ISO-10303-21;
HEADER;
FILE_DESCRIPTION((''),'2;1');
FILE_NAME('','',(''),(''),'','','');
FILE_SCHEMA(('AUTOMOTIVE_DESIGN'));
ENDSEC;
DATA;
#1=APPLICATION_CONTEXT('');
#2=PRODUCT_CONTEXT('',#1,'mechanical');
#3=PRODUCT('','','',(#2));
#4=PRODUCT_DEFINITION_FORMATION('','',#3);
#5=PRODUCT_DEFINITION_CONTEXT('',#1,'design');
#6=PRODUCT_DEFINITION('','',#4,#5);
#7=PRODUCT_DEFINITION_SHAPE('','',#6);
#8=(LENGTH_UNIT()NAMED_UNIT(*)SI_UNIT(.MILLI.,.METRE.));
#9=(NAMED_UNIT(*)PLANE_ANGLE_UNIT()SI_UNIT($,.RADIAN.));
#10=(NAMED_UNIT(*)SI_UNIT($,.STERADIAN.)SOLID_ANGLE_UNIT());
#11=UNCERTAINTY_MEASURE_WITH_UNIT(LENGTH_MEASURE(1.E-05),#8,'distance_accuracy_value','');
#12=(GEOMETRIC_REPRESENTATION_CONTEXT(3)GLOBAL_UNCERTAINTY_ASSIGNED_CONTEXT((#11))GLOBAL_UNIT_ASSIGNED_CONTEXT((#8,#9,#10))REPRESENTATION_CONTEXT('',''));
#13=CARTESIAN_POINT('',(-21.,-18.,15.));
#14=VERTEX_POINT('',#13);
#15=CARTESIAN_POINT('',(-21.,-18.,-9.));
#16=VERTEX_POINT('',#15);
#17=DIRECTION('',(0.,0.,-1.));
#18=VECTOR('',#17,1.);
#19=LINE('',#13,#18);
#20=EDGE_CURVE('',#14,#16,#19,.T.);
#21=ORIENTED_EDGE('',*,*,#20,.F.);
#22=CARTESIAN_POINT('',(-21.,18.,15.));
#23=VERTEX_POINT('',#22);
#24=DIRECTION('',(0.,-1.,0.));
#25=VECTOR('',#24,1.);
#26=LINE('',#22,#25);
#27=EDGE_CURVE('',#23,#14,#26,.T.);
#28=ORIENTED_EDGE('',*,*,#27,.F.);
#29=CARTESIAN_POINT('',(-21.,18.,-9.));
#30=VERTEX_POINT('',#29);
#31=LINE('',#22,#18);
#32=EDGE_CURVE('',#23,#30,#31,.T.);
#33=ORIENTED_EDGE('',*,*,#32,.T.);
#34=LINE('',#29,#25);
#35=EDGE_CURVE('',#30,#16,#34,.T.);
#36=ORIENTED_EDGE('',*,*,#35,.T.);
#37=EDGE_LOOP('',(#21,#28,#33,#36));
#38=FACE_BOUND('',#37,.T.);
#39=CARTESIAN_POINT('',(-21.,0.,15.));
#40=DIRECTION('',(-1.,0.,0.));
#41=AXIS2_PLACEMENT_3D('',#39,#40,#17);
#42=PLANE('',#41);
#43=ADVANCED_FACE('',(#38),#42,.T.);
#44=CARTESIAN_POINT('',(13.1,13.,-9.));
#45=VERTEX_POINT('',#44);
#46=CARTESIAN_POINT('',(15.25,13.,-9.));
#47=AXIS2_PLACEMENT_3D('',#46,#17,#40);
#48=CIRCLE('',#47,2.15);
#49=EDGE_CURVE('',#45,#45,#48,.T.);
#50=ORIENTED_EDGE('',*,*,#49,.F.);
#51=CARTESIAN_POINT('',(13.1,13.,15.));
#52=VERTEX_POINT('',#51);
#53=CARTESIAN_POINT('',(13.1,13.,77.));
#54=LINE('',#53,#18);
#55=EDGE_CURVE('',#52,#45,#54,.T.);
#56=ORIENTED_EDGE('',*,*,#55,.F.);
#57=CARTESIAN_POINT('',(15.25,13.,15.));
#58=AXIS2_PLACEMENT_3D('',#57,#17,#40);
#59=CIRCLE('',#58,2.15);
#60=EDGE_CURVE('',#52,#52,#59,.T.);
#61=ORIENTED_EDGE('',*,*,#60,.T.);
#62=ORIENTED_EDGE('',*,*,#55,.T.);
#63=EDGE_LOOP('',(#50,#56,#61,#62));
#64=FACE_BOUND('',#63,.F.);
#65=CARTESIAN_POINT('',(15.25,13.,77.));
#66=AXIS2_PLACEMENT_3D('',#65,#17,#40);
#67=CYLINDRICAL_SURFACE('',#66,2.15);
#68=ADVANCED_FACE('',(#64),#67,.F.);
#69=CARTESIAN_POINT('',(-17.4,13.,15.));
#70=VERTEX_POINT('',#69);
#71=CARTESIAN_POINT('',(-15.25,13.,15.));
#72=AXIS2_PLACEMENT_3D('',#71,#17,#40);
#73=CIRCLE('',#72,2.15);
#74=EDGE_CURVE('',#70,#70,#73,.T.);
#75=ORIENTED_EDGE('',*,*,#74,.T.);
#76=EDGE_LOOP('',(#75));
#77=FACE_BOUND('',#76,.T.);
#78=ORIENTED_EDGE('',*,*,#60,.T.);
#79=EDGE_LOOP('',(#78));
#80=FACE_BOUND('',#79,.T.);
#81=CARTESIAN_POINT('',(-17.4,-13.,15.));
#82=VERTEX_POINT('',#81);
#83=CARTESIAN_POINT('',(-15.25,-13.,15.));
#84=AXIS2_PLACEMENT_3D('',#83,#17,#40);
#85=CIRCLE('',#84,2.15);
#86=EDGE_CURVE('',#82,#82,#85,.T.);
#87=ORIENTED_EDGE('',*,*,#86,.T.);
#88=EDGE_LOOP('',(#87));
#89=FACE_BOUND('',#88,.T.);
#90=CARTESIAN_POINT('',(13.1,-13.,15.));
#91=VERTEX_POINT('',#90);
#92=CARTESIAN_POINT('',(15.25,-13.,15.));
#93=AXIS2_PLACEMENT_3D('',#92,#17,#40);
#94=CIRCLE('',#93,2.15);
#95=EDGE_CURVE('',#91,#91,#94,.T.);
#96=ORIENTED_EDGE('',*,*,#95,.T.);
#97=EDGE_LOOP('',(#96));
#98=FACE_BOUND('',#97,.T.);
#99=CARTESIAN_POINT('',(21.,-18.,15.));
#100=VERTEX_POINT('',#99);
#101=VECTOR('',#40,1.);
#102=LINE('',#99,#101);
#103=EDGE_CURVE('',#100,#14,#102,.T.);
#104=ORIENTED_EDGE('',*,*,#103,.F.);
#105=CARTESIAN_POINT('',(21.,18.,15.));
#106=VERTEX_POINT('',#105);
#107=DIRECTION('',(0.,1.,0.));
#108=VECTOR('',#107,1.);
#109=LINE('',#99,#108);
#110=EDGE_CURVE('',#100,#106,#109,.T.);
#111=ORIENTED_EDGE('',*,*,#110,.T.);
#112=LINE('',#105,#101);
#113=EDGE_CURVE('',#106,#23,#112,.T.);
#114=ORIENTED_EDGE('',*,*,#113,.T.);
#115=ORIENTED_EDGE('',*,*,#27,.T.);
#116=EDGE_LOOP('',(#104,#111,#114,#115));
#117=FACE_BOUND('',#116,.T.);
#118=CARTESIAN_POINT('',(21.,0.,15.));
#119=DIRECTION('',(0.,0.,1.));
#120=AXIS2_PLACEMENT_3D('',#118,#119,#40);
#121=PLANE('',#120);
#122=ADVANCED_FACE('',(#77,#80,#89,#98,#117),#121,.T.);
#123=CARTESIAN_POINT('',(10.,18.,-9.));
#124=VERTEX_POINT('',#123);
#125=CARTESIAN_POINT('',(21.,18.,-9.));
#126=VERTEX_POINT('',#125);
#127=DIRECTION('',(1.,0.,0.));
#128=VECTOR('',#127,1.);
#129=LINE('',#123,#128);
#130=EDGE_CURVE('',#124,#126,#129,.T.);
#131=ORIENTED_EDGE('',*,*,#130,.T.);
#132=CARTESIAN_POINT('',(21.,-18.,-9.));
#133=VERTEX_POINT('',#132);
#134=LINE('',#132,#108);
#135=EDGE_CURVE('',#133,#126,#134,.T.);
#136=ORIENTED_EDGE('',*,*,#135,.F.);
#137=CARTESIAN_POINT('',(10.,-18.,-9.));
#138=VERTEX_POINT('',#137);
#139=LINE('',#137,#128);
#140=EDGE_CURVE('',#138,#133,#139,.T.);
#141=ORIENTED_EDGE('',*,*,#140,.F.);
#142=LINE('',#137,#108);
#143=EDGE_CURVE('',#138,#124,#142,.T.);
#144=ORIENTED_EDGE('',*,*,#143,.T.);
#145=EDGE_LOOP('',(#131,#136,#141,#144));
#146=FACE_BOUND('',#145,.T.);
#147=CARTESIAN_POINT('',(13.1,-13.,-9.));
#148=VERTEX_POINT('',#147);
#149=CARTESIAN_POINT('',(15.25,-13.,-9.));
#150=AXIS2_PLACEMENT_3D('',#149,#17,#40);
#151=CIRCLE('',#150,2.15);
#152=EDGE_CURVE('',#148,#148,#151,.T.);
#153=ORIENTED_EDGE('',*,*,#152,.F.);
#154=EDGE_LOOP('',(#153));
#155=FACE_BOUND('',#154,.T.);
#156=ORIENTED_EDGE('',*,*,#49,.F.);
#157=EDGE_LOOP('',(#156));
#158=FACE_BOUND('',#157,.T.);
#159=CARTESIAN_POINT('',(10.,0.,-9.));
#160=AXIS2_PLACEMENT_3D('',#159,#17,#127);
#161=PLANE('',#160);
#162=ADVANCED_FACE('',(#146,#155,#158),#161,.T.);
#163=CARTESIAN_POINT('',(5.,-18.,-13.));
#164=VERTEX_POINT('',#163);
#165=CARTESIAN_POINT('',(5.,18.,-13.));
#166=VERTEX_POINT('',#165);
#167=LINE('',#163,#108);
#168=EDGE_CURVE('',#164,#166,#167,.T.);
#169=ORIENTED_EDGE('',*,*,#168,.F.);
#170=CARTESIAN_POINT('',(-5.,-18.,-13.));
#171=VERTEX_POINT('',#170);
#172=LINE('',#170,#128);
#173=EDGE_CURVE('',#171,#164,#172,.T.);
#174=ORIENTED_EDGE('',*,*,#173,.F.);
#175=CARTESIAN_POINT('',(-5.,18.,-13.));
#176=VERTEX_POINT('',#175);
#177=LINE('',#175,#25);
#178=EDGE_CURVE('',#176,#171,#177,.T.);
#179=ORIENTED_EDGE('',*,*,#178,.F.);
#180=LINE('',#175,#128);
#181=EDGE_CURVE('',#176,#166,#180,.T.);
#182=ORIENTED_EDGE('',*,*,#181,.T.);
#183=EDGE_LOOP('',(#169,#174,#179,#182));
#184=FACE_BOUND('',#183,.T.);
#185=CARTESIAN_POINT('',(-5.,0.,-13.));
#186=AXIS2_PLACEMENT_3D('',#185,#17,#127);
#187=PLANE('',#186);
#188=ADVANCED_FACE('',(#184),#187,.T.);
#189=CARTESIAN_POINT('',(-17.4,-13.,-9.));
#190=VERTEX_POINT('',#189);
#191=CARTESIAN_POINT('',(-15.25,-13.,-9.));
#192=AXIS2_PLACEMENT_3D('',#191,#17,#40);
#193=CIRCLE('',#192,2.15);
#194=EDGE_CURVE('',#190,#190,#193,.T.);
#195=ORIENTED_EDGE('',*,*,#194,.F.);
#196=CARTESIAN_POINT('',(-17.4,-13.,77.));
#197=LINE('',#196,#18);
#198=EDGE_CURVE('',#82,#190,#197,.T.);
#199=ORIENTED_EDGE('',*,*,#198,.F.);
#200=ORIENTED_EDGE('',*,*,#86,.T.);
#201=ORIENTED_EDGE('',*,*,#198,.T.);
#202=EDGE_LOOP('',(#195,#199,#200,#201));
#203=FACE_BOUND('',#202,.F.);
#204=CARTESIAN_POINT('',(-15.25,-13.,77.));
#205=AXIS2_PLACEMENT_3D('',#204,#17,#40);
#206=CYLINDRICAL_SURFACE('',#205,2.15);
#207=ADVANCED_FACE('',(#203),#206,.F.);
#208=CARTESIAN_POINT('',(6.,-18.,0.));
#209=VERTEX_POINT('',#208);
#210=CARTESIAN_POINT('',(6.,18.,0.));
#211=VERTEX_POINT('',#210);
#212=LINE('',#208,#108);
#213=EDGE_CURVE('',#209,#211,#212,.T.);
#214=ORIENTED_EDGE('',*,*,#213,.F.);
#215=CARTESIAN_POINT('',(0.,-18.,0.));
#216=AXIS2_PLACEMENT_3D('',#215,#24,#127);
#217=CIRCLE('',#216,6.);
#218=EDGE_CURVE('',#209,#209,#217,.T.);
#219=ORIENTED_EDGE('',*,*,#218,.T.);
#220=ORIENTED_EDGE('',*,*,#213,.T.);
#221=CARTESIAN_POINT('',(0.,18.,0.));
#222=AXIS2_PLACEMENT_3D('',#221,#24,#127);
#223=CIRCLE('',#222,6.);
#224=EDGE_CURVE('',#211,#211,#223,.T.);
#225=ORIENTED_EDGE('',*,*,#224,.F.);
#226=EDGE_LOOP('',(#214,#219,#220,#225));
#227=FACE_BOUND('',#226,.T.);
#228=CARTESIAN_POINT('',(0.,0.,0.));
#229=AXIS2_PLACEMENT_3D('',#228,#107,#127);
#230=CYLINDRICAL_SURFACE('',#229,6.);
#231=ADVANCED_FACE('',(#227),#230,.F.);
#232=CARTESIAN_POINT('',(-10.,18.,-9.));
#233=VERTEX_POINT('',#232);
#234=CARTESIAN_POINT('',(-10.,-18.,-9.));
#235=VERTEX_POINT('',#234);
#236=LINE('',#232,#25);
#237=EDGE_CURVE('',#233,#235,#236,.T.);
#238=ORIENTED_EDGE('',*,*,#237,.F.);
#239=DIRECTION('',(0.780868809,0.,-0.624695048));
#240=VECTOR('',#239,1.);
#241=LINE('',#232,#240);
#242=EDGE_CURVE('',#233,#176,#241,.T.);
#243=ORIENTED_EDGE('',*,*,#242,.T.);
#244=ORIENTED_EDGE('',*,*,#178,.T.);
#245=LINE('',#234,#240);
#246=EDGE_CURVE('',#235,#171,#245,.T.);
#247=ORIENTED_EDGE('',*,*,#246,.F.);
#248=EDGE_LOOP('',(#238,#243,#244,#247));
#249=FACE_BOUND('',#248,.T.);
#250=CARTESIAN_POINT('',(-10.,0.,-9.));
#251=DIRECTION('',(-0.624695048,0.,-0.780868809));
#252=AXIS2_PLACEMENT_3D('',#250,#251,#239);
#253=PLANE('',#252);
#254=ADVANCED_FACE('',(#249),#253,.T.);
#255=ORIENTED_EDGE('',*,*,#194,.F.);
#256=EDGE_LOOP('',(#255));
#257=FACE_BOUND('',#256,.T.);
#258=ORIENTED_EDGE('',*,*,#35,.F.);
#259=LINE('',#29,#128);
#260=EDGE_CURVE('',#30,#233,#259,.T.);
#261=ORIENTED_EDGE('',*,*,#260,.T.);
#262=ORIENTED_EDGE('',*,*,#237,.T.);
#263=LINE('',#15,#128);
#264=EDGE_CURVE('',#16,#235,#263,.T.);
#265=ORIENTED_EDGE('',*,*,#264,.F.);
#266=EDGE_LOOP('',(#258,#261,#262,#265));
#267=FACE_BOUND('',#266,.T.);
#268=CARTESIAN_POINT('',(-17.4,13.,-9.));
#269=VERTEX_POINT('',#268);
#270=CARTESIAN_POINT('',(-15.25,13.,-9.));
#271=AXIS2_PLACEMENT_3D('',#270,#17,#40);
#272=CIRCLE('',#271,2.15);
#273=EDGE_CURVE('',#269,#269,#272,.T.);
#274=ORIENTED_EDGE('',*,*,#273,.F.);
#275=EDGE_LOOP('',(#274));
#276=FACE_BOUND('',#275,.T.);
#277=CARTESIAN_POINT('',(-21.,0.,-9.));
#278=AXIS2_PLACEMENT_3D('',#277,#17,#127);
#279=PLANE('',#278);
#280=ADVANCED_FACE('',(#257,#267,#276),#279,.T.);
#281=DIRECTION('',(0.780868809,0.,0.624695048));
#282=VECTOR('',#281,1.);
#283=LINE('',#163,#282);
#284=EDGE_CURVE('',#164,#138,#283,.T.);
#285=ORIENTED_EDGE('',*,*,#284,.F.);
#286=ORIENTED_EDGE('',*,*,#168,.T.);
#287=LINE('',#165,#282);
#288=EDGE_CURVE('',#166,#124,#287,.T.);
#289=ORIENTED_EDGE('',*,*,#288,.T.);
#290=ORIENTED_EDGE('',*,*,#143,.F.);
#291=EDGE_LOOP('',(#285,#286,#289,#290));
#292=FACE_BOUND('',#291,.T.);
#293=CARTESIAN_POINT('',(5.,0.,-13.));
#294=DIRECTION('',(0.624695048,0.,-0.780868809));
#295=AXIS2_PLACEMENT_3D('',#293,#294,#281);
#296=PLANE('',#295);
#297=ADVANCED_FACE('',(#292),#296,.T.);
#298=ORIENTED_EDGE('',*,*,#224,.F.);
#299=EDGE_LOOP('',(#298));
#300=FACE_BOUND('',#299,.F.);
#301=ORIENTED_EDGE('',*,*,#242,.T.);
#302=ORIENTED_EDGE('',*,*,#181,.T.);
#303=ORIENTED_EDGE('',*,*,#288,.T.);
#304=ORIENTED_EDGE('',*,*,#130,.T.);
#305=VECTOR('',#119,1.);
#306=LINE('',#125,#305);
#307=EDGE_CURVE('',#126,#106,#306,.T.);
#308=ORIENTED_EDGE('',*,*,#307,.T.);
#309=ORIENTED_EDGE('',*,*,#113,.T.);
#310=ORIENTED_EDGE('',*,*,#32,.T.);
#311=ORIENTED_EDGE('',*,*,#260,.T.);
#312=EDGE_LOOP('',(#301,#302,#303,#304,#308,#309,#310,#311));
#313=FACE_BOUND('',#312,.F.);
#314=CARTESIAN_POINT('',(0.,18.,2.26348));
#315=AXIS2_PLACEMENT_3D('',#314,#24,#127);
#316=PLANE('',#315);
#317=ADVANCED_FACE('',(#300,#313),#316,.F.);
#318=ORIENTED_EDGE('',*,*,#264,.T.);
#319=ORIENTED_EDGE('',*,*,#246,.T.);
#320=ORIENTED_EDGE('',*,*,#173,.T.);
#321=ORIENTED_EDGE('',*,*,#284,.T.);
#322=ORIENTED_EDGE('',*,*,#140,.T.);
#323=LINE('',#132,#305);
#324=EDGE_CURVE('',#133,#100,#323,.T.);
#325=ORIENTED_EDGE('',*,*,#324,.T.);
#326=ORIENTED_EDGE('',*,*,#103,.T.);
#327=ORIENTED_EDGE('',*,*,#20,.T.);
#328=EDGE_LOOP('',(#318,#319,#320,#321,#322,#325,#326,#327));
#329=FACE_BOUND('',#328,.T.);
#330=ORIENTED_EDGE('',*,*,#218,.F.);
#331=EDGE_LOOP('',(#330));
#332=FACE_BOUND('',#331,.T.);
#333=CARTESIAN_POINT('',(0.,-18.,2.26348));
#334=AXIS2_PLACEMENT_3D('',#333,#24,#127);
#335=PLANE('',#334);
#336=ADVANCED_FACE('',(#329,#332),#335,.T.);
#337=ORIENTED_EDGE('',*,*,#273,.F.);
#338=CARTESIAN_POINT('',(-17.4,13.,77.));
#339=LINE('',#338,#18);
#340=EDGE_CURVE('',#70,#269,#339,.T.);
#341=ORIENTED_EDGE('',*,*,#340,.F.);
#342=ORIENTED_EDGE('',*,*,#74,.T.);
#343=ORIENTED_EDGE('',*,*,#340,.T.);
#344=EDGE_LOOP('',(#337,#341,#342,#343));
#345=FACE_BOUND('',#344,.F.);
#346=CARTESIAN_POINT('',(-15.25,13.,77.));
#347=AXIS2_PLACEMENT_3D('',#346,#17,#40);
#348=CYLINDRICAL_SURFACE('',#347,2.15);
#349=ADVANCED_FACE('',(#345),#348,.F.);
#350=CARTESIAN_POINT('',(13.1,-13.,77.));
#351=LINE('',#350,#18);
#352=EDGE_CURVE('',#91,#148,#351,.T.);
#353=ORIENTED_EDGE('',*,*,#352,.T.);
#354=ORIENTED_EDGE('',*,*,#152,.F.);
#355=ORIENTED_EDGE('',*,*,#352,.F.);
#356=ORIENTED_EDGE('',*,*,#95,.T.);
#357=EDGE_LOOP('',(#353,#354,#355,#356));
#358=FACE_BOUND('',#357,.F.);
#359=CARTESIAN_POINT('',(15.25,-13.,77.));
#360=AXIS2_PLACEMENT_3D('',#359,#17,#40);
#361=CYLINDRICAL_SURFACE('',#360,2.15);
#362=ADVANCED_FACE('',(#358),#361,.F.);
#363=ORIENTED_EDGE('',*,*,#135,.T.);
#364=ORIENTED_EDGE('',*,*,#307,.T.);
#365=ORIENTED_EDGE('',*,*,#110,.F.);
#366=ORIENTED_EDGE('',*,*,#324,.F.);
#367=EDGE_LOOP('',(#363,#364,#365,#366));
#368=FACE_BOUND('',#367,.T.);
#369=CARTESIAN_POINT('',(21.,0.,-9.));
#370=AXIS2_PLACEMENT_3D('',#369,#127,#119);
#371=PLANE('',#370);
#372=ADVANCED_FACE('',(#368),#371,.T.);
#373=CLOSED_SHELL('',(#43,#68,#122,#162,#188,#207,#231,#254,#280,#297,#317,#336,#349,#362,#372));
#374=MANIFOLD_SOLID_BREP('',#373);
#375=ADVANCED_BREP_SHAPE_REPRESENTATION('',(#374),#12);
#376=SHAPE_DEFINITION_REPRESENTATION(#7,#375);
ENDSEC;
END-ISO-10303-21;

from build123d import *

# Parameters (mm, degrees)
F0_R     = 6
F1_DEPTH = 18
F3_D     = 4.3


with BuildPart() as f1:
    # F0 (on Front) → F1 (new body, symmetric)
    with BuildSketch(Plane.XZ):
        Polygon((21, 15), (-21, 15), (-21, -9), (-10, -9), (-5, -13), (0, -13), (5, -13), (10, -9), (21, -9), align=None)
        Circle(F0_R, mode=Mode.SUBTRACT)
    extrude(amount=F1_DEPTH, both=True)

    # F3 (through all)
    with Locations(Plane.XY.offset(15)):
        with Locations((-15.25, 13), (15.25, 13), (15.25, -13), (-15.25, -13)):
            Hole(F3_D / 2)


solid = f1.part
